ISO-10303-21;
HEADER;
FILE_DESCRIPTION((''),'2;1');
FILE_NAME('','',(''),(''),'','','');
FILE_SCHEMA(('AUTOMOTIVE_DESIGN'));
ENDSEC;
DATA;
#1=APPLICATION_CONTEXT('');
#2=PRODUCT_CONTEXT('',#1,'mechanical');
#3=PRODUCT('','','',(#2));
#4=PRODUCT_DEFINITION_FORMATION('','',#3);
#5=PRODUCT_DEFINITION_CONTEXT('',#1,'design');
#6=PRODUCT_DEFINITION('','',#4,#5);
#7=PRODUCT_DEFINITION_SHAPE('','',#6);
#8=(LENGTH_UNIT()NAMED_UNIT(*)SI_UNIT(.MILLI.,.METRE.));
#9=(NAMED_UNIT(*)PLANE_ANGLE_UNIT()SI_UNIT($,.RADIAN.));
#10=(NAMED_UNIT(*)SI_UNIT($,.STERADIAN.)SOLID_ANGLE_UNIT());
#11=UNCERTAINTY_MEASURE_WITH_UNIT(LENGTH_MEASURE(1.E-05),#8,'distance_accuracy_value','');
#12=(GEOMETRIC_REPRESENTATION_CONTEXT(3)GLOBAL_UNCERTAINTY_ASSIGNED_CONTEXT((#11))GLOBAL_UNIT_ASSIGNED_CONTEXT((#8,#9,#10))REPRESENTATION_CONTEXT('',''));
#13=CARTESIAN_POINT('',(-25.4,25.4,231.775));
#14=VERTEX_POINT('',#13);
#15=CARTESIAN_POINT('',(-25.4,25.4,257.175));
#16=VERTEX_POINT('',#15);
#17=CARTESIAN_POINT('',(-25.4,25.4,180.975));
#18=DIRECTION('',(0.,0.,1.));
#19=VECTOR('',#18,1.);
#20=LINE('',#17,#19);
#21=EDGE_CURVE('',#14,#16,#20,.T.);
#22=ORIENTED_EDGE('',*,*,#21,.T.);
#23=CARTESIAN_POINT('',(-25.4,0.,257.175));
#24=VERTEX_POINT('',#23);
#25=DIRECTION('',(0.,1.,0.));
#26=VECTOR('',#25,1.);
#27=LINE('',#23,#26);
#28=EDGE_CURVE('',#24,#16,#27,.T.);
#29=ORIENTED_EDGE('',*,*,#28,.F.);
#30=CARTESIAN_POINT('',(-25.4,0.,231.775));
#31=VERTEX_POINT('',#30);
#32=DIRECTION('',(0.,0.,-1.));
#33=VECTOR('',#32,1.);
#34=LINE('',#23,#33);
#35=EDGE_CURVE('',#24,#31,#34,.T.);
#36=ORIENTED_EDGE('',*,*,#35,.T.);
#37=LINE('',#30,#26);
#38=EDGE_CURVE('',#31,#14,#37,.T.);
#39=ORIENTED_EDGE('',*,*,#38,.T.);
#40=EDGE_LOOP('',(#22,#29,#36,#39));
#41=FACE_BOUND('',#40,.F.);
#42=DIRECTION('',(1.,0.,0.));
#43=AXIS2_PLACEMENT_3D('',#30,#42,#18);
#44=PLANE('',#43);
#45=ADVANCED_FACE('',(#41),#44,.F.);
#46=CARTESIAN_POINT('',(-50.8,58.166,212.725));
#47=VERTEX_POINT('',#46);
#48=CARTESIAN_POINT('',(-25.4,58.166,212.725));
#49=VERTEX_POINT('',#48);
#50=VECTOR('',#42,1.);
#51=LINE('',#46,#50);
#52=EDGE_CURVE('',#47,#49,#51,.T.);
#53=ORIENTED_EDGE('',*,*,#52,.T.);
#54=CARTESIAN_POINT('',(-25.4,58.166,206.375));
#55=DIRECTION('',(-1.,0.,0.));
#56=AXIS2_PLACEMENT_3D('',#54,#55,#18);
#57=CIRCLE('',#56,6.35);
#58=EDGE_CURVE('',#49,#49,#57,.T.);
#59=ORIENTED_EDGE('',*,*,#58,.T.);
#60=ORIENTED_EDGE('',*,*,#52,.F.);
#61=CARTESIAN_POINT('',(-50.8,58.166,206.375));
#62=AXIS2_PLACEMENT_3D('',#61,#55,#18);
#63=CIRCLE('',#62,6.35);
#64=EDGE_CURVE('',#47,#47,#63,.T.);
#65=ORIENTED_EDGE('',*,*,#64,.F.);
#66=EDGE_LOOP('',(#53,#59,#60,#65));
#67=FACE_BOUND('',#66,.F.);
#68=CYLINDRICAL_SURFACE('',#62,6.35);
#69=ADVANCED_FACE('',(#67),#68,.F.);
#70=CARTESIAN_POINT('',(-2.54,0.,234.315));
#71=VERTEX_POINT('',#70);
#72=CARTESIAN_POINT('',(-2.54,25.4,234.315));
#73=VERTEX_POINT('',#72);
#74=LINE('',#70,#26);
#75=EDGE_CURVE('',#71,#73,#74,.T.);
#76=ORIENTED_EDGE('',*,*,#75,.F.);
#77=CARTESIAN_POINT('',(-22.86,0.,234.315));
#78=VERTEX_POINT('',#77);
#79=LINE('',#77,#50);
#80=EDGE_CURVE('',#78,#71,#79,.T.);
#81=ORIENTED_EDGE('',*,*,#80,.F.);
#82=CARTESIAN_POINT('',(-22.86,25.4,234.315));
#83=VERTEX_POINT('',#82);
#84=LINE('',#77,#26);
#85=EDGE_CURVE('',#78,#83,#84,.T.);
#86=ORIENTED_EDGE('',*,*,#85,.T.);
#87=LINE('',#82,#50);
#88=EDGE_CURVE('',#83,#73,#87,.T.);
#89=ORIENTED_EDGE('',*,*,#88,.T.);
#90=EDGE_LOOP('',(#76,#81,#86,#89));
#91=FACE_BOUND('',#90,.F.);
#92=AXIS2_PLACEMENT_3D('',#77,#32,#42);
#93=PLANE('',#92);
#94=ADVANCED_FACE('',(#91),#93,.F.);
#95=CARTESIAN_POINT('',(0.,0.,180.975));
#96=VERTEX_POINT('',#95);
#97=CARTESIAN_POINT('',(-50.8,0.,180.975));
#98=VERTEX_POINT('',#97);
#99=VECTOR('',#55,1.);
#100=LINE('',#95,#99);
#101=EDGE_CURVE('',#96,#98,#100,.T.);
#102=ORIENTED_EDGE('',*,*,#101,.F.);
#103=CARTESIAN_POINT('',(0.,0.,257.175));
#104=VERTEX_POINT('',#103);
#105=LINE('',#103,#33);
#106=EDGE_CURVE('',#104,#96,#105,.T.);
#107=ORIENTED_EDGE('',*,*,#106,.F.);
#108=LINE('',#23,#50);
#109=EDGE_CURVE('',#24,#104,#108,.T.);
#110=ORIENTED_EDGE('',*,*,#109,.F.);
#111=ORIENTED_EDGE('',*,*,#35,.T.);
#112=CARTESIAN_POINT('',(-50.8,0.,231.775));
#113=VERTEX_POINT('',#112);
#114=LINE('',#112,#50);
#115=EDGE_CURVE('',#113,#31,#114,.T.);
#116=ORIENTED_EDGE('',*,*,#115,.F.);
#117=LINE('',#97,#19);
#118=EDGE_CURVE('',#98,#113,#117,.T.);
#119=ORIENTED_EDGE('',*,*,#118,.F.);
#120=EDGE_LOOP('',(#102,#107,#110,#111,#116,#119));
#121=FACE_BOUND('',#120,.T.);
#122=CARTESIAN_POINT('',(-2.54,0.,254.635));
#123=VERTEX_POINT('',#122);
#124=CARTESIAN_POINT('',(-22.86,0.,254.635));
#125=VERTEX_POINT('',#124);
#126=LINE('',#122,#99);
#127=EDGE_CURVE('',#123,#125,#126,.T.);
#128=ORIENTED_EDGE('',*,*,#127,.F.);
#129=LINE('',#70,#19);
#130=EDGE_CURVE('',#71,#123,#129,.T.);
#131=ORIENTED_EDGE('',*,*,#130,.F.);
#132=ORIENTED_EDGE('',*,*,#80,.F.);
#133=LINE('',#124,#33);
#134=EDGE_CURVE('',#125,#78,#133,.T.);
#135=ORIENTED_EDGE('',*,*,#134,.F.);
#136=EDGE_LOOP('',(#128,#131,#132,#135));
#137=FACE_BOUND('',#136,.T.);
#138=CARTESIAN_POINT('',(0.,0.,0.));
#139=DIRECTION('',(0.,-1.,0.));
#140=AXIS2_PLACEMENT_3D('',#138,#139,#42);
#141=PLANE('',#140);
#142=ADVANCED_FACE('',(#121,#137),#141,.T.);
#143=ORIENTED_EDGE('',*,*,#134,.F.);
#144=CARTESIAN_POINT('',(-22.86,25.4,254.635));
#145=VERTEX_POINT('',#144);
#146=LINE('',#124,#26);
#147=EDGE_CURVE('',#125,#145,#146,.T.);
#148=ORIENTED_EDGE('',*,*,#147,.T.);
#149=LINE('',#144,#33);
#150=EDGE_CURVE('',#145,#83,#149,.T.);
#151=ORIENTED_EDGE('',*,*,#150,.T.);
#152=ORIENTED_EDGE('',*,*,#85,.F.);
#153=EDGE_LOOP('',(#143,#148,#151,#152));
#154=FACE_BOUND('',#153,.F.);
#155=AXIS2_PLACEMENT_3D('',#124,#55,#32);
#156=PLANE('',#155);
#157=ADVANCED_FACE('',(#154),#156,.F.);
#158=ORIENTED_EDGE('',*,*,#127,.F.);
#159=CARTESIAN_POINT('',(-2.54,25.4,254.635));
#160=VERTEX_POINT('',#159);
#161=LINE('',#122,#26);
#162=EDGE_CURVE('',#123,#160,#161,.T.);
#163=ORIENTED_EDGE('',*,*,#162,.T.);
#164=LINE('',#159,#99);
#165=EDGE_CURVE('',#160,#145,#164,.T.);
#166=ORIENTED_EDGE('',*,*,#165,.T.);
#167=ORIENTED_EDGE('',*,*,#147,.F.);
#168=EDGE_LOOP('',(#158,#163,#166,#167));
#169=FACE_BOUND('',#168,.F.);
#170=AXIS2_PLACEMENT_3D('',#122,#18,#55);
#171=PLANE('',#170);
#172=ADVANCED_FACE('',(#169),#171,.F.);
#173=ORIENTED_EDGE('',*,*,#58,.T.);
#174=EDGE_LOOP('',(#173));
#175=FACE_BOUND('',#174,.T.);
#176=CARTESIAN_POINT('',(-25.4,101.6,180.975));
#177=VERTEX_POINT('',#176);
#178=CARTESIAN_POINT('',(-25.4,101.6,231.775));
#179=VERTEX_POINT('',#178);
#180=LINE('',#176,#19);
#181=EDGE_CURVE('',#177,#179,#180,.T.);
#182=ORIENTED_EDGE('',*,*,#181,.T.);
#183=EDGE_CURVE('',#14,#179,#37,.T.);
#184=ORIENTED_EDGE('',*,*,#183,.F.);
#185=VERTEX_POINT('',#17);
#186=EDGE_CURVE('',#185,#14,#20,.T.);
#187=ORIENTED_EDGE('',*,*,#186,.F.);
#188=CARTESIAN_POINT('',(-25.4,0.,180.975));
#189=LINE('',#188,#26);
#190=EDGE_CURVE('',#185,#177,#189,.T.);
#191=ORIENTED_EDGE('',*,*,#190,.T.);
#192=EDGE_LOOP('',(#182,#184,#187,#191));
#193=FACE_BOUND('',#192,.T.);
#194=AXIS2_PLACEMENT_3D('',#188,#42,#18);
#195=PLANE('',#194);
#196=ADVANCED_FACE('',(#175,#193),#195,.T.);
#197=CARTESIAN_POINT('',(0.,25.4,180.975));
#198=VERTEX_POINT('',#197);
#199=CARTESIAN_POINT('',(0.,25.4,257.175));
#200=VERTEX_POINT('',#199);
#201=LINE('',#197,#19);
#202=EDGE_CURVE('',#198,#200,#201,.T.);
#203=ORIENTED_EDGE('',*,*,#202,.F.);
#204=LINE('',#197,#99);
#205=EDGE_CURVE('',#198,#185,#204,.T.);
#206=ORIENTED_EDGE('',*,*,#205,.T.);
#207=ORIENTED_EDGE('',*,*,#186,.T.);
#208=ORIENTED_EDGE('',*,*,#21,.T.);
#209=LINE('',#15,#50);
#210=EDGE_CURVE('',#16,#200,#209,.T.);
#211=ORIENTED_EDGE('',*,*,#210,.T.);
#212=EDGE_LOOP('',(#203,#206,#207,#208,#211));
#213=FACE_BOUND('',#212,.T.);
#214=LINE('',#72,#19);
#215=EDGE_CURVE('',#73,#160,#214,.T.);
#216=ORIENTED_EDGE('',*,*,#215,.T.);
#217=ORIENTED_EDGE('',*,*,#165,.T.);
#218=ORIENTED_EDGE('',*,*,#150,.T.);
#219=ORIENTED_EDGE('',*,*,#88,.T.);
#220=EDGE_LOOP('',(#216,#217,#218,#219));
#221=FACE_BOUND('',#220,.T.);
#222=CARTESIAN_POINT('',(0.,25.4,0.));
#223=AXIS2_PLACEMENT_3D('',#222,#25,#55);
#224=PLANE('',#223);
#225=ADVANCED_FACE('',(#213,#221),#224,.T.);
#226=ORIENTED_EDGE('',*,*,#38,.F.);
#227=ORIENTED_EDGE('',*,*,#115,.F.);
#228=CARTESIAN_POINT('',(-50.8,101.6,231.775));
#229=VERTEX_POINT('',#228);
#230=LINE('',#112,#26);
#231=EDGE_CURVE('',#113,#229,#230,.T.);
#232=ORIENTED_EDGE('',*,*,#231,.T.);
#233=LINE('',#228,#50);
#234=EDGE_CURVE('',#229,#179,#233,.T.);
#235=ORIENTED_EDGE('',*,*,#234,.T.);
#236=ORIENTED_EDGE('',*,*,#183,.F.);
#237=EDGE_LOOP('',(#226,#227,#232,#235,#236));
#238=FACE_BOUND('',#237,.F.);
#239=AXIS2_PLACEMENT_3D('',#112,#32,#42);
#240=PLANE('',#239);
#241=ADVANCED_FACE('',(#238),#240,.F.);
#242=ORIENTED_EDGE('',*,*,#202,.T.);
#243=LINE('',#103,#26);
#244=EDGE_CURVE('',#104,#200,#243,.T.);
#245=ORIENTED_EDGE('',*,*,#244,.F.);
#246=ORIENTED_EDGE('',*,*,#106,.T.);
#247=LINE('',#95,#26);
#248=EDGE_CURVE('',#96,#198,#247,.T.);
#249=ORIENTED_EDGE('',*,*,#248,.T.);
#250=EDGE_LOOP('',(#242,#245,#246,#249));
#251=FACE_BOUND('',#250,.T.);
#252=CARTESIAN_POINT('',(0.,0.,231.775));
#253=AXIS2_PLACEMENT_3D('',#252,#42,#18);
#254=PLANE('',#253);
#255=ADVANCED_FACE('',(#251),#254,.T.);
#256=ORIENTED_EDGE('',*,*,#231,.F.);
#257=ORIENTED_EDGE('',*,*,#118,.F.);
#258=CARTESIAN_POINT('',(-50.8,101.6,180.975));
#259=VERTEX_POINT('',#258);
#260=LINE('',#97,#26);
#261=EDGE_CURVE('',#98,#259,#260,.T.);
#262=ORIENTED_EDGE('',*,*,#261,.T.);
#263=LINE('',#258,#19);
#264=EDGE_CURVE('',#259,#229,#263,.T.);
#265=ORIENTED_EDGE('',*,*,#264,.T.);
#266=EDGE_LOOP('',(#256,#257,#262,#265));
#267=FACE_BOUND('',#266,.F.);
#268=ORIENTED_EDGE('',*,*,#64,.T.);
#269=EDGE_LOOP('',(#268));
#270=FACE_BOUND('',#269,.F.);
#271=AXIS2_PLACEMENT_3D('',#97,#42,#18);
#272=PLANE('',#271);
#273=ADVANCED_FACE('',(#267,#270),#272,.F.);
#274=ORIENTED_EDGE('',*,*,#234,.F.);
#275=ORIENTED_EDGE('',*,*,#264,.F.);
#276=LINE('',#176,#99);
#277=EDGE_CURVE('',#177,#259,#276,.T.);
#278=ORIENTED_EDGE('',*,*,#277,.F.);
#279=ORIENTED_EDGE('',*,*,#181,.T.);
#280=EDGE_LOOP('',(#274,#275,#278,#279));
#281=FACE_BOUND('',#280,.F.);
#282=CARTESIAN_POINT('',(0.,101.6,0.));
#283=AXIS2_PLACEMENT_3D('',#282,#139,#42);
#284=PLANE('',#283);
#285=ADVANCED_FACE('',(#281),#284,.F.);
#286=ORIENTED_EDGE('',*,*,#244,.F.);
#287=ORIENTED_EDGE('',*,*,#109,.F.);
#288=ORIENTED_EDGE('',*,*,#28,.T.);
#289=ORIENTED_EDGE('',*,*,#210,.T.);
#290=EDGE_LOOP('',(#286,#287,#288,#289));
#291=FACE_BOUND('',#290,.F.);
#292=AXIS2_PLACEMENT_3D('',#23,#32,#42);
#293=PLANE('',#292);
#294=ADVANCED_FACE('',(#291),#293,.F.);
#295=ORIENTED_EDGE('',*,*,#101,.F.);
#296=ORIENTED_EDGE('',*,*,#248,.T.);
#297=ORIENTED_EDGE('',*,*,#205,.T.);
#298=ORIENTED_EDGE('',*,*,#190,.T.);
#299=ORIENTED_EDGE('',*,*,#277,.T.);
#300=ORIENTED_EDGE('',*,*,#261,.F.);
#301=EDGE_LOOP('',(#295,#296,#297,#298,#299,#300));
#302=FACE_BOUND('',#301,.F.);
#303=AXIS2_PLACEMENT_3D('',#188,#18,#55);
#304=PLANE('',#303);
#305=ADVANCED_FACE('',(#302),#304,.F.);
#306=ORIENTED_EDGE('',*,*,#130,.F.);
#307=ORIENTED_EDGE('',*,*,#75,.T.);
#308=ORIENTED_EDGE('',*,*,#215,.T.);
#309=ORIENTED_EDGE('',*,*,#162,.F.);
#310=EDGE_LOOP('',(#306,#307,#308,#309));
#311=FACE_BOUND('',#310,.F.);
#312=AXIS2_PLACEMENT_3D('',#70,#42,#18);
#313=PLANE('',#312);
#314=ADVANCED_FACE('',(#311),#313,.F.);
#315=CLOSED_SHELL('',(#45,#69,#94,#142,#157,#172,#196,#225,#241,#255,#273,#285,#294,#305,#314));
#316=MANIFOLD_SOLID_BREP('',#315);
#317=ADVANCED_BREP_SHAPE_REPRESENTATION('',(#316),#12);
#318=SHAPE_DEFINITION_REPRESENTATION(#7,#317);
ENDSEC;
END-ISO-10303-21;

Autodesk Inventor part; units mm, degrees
ref_plane "YZ Plane" through (0, 0, 0) normal (1, 0, 0) x (0, 1, 0)
ref_plane "XZ Plane" through (0, 0, 0) normal (0, 1, 0) x (-1, 0, 0)
ref_plane "XY Plane" through (0, 0, 0) normal (0, 0, 1) x (1, 0, 0)
sketch "Sketch1" plane through (0, 0, 0) normal (0, 1, 0) x (-1, 0, 0)
  line L0 (25.4, 231.775) -> (25.4, 257.175)
  line L1 (25.4, 257.175) -> (0, 257.175)
  line L2 (0, 231.775) -> (0, 257.175)
  line L3 (25.4, 231.775) -> (0, 231.775)
  line L4 (2.54, 234.315) -> (2.54, 254.635)
  line L5 (2.54, 254.635) -> (22.86, 254.635)
  line L6 (22.86, 254.635) -> (22.86, 234.315)
  line L7 (22.86, 234.315) -> (2.54, 234.315)
  line L8 (25.4, 231.775) -> (0, 231.775)
  line L9 (0, 231.775) -> (0, 180.975)
  line L10 (0, 180.975) -> (25.4, 180.975)
  line L11 (25.4, 180.975) -> (25.4, 231.775)
  line L12 (25.4, 231.775) -> (25.4, 257.175)
  line L13 (25.4, 257.175) -> (0, 257.175)
  line L14 (0, 231.775) -> (0, 257.175)
  line L15 (25.4, 231.775) -> (0, 231.775)
  line L16 (2.54, 234.315) -> (2.54, 254.635)
  line L17 (2.54, 254.635) -> (22.86, 254.635)
  line L18 (22.86, 254.635) -> (22.86, 234.315)
  line L19 (22.86, 234.315) -> (2.54, 234.315)
  line L20 (25.4, 231.775) -> (0, 231.775)
  line L21 (0, 231.775) -> (0, 180.975)
  line L22 (0, 180.975) -> (25.4, 180.975)
  line L23 (25.4, 180.975) -> (25.4, 231.775)
  point P0 (0, 0)
  dimension "d0" = 50.8
  dimension "d1" = 50.8
extrude "Extrusion1" add sketch "Sketch1" along normal blind 25.4
sketch "Sketch2" plane through (0, 0, 0) normal (0, -1, 0) x (1, 0, 0)
  line L0 (-25.4, 180.975) -> (-25.4, 257.175) projected
  line L1 (-25.4, 180.975) -> (-50.8, 180.975)
  line L2 (-50.8, 180.975) -> (-50.8, 231.775)
  line L3 (-50.8, 231.775) -> (-25.4, 231.775)
  line L4 (-25.4, 231.775) -> (-25.4, 180.975)
  point P0 (0, 0)
  dimension "d4" = 25.4
  dimension "d5" = 50.8
extrude "Extrusion2" add sketch "Sketch2" against normal blind 101.6
sketch "Sketch5" plane through (-50.8, 0, 180.975) normal (-1, 0, 0) x (0, 0, 1)
  circle A0 centre (25.4, 19.05) radius 6.35 construction
  line L0 (25.4, 19.05) -> (25.4, 58.166) construction
  circle A1 centre (25.4, 58.166) radius 6.35
  point P0 (-180.975, 0)
  dimension "d10" = 39.116
  dimension "d11" = 12.7
extrude "Extrusion4" cut sketch "Sketch5" against normal blind 25.4
properties part number "intakee mount"
